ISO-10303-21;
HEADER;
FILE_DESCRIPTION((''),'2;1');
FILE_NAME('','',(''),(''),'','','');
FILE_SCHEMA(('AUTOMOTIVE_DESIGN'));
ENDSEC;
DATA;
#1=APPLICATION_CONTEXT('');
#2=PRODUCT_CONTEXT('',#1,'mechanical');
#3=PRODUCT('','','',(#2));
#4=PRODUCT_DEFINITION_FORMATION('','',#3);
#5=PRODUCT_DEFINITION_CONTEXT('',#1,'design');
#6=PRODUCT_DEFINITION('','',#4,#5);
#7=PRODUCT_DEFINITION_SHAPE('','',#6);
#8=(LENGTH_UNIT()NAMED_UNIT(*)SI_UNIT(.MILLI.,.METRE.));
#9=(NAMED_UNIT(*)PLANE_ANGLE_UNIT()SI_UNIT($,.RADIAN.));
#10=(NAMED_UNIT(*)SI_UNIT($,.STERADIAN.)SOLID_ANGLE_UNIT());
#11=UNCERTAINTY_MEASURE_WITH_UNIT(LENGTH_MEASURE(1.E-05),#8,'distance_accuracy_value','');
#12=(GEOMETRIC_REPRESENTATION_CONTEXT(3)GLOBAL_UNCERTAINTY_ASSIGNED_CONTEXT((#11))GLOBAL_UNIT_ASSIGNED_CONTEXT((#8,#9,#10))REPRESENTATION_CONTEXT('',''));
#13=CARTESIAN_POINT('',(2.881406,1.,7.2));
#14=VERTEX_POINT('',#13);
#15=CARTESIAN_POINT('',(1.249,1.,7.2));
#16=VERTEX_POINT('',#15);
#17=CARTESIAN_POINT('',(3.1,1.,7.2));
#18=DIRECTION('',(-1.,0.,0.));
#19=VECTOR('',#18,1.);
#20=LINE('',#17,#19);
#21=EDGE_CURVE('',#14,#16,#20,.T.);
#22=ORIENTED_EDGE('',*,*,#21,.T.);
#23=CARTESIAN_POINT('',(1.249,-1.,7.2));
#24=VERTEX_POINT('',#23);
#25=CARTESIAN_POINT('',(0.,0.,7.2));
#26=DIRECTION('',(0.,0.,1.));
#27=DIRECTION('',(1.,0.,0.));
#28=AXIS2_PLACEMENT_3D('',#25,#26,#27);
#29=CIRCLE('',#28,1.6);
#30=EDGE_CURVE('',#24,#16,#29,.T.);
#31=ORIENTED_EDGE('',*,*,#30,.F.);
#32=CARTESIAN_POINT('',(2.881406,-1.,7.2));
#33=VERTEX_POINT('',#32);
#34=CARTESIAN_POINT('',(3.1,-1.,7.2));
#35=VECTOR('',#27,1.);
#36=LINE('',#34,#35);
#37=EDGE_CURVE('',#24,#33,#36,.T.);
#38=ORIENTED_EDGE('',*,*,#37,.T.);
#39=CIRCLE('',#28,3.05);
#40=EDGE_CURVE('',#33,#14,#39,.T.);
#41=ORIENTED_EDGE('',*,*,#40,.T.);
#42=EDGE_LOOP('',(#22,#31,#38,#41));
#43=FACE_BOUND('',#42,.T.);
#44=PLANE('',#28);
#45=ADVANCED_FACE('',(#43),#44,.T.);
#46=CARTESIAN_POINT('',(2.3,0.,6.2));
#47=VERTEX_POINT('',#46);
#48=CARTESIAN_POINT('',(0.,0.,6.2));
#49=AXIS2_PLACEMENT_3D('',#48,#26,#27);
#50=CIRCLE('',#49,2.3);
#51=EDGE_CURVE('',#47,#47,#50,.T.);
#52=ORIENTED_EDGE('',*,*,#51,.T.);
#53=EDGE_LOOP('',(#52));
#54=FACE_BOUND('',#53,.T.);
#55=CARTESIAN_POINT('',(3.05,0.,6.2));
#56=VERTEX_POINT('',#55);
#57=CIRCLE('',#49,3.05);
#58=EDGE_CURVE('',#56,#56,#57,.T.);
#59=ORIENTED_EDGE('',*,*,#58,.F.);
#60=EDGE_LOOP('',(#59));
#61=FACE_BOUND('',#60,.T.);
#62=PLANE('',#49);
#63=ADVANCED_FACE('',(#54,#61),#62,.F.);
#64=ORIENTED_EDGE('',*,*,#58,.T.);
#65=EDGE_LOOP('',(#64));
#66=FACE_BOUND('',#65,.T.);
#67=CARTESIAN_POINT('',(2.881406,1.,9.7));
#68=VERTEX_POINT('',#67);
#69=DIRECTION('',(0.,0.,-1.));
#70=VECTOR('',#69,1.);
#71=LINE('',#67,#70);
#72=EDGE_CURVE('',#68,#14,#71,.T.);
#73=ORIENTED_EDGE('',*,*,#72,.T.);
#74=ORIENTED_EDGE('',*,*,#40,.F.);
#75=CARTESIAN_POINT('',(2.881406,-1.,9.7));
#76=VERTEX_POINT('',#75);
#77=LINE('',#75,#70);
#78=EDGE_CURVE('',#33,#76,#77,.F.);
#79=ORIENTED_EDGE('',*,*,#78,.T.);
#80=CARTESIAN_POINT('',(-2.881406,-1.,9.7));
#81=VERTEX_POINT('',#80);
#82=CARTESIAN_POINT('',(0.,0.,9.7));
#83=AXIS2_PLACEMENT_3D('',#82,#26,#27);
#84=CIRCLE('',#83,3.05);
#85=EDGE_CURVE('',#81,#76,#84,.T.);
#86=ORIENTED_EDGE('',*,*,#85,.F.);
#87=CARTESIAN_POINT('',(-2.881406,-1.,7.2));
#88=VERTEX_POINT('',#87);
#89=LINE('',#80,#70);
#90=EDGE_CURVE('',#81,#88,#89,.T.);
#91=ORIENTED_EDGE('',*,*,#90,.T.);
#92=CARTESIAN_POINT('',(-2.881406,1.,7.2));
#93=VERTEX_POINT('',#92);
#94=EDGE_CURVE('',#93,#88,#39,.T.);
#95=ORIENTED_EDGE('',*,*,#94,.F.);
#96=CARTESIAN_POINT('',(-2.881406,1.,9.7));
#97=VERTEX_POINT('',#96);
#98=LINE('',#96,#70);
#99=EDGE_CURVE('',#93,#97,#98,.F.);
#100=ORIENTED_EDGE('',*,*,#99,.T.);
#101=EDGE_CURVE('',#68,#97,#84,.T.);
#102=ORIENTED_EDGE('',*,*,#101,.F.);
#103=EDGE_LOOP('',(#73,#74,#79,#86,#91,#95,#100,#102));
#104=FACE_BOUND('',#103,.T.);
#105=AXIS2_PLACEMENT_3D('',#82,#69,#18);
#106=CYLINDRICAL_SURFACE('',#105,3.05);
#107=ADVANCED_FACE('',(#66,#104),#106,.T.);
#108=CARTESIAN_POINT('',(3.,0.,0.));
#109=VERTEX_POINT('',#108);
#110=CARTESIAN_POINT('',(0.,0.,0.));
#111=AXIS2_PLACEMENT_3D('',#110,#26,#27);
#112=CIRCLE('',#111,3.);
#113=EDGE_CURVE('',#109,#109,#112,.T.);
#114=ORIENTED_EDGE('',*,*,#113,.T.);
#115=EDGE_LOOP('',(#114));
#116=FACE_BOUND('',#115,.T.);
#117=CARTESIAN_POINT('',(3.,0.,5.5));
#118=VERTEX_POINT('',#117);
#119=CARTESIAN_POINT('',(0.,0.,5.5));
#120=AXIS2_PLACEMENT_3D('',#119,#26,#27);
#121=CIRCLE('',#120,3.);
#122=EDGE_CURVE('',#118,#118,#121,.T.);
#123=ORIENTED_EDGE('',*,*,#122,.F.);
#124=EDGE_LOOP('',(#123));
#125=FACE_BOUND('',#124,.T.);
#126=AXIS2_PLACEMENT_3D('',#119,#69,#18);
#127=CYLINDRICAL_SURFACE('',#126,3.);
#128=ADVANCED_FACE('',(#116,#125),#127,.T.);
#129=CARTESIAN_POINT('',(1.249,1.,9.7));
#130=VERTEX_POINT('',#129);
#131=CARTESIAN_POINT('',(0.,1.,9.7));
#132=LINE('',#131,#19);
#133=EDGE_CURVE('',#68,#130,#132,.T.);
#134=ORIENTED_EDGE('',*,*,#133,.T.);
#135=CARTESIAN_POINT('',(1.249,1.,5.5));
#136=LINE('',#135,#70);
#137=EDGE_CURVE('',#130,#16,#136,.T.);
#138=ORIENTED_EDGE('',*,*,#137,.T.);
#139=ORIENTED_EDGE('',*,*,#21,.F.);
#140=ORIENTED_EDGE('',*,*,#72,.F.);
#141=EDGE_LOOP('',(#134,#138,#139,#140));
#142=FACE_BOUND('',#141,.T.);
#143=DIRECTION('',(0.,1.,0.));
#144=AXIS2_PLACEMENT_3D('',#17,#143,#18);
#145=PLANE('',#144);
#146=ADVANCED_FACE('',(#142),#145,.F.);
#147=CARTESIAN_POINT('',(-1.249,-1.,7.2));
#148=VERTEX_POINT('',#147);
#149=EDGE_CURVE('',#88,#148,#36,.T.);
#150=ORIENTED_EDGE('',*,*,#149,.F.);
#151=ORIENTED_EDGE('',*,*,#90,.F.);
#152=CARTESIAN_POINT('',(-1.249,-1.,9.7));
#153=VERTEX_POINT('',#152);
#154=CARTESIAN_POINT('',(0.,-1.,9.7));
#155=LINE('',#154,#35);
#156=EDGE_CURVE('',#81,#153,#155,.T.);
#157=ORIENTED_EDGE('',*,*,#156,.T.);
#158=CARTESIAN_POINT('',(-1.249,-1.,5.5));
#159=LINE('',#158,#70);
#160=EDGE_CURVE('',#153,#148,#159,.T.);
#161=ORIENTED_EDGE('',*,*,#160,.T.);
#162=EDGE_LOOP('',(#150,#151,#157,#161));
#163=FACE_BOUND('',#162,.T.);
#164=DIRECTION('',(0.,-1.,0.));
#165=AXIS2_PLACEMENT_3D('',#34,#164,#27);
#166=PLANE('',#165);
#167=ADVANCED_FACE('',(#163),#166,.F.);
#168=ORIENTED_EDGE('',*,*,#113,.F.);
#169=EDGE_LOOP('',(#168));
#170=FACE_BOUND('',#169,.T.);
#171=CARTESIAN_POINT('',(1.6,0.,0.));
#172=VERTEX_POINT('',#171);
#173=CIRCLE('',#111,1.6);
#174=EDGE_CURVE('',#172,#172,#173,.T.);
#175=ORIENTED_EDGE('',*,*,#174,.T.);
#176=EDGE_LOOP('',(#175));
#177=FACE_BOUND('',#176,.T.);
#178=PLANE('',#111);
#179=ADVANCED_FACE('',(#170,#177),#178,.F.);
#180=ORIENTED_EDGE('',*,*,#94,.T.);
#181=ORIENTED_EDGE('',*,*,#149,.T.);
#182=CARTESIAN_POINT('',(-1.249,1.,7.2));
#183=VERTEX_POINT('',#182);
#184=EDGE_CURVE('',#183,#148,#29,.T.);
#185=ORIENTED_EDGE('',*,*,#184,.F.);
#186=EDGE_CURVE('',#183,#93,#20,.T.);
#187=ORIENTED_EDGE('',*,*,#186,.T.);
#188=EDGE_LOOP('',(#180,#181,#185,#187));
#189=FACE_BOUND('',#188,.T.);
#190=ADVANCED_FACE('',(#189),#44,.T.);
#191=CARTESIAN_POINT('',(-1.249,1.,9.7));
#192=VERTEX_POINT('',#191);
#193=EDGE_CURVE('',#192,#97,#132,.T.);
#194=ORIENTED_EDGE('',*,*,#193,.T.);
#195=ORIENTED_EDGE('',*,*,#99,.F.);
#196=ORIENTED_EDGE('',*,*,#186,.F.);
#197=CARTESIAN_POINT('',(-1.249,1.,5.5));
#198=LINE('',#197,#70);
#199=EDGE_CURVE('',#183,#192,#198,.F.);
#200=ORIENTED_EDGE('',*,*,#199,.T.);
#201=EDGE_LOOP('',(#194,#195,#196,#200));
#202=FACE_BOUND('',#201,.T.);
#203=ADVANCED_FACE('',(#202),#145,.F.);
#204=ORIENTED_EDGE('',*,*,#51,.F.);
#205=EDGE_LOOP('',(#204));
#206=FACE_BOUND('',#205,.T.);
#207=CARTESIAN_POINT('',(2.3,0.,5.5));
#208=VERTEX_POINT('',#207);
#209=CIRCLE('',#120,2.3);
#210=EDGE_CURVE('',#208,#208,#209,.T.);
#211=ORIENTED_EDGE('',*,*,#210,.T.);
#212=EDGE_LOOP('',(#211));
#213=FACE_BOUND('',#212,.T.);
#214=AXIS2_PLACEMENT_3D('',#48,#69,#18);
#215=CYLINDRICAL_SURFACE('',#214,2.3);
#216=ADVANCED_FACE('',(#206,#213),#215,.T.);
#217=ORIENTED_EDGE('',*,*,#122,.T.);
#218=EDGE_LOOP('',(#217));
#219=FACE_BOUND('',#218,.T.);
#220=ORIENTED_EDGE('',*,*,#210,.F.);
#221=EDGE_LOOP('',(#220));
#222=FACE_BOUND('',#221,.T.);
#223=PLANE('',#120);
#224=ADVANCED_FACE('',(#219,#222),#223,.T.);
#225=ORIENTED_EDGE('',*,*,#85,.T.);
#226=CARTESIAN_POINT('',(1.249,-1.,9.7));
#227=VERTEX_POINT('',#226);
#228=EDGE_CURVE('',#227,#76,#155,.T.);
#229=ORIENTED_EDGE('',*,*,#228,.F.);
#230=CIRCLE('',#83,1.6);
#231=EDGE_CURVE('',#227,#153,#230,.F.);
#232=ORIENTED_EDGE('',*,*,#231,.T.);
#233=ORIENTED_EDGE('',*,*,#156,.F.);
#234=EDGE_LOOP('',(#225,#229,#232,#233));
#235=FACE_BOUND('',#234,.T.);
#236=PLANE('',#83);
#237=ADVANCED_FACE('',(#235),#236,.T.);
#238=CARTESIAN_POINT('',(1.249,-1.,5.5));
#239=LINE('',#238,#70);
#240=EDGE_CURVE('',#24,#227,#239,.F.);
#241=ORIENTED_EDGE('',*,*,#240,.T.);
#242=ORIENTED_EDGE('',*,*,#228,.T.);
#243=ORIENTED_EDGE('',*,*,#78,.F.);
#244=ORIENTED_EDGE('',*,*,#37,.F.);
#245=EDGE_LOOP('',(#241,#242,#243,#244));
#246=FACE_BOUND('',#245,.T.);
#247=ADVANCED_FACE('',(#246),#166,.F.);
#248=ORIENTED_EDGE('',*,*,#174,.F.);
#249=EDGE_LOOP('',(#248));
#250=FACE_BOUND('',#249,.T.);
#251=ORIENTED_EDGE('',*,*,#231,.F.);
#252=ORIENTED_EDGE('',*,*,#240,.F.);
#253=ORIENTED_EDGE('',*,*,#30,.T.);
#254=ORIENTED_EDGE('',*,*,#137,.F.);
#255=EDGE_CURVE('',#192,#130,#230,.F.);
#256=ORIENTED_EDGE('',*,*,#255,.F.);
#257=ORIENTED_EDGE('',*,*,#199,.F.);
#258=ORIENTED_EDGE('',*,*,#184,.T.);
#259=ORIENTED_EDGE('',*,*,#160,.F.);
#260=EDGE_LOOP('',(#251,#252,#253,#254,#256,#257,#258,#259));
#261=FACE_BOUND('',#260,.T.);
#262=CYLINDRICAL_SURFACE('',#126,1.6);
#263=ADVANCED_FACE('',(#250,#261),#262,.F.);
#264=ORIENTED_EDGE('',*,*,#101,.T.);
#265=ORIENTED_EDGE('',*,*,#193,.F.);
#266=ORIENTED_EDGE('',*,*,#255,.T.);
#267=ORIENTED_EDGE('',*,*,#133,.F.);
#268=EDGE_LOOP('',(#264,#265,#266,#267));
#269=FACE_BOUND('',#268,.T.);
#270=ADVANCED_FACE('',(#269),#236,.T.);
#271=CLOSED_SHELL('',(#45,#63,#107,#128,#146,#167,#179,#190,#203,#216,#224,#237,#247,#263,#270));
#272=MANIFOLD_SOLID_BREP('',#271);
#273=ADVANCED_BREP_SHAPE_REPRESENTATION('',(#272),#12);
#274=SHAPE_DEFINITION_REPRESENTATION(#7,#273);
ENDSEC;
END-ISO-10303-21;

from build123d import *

# Parameters (mm, degrees)
SKETCH1_R           = 3
SKETCH1_R_2         = 1.6
BOSS_EXTRUDE1_DEPTH = 5.5
SKETCH2_R           = 2.3
SKETCH2_R_2         = 1.6
BOSS_EXTRUDE2_DEPTH = 0.7
SKETCH3_R           = 3.05
SKETCH3_R_2         = 2.3
SKETCH3_R_3         = 1.6
BOSS_EXTRUDE3_DEPTH = 3.5
SKETCH4_W           = 6.2
SKETCH4_H           = 2
CUT_EXTRUDE1_DEPTH  = 2.5


with BuildPart() as part:
    # Sketch1 → Boss-Extrude1 (new body)
    with BuildSketch(Plane.XY):
        Circle(SKETCH1_R)
        Circle(SKETCH1_R_2, mode=Mode.SUBTRACT)
    extrude(amount=BOSS_EXTRUDE1_DEPTH)

    # Sketch2 → Boss-Extrude2 (add)
    with BuildSketch(Plane.XY.offset(5.5)):
        Circle(SKETCH2_R)
        Circle(SKETCH2_R_2, mode=Mode.SUBTRACT)
    extrude(amount=BOSS_EXTRUDE2_DEPTH)

    # Sketch3 → Boss-Extrude3 (add)
    # profile 1 of 2: a face of its own
    with BuildSketch(Plane.XY.offset(6.2)):
        Circle(SKETCH3_R)
        Circle(SKETCH3_R_2, mode=Mode.SUBTRACT)
    # profile 2 of 2: a face of its own
    with BuildSketch(Plane.XY.offset(6.2)):
        Circle(SKETCH3_R_2)
        Circle(SKETCH3_R_3, mode=Mode.SUBTRACT)
    extrude(amount=BOSS_EXTRUDE3_DEPTH)

    # Sketch4 → Cut-Extrude1 (cut)
    with BuildSketch(Plane.XY.offset(9.7)):
        Rectangle(SKETCH4_W, SKETCH4_H)
    extrude(amount=-CUT_EXTRUDE1_DEPTH, mode=Mode.SUBTRACT)


solid = part.part
